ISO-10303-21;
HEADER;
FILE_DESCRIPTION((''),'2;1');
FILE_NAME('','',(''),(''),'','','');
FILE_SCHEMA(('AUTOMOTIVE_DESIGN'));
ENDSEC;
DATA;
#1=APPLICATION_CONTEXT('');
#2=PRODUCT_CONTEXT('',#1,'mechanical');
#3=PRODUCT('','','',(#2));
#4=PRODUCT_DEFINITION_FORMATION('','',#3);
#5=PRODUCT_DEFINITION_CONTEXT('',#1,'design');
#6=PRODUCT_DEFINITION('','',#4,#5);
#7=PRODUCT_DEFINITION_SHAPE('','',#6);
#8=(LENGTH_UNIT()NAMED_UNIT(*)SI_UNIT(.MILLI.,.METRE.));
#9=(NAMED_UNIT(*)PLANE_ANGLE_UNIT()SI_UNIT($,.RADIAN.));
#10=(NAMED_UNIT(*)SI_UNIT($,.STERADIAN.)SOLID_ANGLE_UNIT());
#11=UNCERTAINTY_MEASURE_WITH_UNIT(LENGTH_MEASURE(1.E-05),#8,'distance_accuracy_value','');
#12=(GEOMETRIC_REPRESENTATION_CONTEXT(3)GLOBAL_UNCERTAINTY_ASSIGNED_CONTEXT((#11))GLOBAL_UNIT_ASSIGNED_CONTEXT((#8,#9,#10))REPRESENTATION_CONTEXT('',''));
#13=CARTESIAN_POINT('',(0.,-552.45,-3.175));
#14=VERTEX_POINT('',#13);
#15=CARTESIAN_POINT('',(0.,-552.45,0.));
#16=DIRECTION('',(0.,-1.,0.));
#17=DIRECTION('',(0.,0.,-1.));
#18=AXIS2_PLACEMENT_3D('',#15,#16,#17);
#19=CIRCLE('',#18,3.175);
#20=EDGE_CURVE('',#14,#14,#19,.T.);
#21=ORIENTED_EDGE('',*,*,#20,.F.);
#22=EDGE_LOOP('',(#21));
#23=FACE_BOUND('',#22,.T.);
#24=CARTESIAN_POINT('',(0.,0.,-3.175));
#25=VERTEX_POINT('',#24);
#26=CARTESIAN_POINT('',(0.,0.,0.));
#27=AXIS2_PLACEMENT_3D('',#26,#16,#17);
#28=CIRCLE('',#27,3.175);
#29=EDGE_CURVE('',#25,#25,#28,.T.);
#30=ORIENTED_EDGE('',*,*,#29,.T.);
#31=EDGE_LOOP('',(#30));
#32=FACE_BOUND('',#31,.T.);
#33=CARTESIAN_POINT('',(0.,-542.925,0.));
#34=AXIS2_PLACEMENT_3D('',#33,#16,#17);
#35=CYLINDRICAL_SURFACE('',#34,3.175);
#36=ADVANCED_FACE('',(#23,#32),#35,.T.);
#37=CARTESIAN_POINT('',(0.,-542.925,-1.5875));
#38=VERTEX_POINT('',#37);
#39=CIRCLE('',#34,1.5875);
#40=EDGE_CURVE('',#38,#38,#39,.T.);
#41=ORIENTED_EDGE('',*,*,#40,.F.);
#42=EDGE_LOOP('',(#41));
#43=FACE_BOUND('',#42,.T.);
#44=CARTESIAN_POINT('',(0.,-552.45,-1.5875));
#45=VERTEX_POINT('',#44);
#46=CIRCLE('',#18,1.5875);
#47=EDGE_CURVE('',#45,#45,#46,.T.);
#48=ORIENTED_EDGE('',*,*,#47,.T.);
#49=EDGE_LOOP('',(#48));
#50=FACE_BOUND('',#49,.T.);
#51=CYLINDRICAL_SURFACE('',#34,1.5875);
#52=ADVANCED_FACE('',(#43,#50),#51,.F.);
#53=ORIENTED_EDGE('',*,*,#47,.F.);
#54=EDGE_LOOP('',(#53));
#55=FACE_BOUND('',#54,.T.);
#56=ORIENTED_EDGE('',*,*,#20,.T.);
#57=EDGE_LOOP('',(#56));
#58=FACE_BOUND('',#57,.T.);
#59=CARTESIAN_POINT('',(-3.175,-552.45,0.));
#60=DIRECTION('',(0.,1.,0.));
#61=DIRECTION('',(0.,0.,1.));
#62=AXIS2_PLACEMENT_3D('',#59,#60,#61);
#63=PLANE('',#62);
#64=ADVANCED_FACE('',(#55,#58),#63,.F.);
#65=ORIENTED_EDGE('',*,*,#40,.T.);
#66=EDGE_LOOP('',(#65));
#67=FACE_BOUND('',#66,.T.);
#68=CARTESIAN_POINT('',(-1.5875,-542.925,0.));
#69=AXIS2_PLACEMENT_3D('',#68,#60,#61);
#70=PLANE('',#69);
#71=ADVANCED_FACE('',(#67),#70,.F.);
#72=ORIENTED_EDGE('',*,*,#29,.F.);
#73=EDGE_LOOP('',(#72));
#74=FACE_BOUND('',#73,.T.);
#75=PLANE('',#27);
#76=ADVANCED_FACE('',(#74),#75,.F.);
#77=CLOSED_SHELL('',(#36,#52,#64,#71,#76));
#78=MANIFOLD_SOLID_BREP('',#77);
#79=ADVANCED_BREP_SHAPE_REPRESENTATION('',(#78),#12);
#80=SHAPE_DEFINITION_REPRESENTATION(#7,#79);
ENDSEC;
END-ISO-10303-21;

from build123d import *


with BuildPart() as part:
    # Sketch1 → Revolve1 (revolve)
    with BuildSketch(Plane.XY):
        Polygon((0, 0), (-3.175, 0), (-3.175, -552.45), (-1.5875, -552.45), (-1.5875, -542.925), (0, -542.925), align=None)
    revolve(axis=Axis((0, -542.925, 0), (0, 1, 0)))


solid = part.part
